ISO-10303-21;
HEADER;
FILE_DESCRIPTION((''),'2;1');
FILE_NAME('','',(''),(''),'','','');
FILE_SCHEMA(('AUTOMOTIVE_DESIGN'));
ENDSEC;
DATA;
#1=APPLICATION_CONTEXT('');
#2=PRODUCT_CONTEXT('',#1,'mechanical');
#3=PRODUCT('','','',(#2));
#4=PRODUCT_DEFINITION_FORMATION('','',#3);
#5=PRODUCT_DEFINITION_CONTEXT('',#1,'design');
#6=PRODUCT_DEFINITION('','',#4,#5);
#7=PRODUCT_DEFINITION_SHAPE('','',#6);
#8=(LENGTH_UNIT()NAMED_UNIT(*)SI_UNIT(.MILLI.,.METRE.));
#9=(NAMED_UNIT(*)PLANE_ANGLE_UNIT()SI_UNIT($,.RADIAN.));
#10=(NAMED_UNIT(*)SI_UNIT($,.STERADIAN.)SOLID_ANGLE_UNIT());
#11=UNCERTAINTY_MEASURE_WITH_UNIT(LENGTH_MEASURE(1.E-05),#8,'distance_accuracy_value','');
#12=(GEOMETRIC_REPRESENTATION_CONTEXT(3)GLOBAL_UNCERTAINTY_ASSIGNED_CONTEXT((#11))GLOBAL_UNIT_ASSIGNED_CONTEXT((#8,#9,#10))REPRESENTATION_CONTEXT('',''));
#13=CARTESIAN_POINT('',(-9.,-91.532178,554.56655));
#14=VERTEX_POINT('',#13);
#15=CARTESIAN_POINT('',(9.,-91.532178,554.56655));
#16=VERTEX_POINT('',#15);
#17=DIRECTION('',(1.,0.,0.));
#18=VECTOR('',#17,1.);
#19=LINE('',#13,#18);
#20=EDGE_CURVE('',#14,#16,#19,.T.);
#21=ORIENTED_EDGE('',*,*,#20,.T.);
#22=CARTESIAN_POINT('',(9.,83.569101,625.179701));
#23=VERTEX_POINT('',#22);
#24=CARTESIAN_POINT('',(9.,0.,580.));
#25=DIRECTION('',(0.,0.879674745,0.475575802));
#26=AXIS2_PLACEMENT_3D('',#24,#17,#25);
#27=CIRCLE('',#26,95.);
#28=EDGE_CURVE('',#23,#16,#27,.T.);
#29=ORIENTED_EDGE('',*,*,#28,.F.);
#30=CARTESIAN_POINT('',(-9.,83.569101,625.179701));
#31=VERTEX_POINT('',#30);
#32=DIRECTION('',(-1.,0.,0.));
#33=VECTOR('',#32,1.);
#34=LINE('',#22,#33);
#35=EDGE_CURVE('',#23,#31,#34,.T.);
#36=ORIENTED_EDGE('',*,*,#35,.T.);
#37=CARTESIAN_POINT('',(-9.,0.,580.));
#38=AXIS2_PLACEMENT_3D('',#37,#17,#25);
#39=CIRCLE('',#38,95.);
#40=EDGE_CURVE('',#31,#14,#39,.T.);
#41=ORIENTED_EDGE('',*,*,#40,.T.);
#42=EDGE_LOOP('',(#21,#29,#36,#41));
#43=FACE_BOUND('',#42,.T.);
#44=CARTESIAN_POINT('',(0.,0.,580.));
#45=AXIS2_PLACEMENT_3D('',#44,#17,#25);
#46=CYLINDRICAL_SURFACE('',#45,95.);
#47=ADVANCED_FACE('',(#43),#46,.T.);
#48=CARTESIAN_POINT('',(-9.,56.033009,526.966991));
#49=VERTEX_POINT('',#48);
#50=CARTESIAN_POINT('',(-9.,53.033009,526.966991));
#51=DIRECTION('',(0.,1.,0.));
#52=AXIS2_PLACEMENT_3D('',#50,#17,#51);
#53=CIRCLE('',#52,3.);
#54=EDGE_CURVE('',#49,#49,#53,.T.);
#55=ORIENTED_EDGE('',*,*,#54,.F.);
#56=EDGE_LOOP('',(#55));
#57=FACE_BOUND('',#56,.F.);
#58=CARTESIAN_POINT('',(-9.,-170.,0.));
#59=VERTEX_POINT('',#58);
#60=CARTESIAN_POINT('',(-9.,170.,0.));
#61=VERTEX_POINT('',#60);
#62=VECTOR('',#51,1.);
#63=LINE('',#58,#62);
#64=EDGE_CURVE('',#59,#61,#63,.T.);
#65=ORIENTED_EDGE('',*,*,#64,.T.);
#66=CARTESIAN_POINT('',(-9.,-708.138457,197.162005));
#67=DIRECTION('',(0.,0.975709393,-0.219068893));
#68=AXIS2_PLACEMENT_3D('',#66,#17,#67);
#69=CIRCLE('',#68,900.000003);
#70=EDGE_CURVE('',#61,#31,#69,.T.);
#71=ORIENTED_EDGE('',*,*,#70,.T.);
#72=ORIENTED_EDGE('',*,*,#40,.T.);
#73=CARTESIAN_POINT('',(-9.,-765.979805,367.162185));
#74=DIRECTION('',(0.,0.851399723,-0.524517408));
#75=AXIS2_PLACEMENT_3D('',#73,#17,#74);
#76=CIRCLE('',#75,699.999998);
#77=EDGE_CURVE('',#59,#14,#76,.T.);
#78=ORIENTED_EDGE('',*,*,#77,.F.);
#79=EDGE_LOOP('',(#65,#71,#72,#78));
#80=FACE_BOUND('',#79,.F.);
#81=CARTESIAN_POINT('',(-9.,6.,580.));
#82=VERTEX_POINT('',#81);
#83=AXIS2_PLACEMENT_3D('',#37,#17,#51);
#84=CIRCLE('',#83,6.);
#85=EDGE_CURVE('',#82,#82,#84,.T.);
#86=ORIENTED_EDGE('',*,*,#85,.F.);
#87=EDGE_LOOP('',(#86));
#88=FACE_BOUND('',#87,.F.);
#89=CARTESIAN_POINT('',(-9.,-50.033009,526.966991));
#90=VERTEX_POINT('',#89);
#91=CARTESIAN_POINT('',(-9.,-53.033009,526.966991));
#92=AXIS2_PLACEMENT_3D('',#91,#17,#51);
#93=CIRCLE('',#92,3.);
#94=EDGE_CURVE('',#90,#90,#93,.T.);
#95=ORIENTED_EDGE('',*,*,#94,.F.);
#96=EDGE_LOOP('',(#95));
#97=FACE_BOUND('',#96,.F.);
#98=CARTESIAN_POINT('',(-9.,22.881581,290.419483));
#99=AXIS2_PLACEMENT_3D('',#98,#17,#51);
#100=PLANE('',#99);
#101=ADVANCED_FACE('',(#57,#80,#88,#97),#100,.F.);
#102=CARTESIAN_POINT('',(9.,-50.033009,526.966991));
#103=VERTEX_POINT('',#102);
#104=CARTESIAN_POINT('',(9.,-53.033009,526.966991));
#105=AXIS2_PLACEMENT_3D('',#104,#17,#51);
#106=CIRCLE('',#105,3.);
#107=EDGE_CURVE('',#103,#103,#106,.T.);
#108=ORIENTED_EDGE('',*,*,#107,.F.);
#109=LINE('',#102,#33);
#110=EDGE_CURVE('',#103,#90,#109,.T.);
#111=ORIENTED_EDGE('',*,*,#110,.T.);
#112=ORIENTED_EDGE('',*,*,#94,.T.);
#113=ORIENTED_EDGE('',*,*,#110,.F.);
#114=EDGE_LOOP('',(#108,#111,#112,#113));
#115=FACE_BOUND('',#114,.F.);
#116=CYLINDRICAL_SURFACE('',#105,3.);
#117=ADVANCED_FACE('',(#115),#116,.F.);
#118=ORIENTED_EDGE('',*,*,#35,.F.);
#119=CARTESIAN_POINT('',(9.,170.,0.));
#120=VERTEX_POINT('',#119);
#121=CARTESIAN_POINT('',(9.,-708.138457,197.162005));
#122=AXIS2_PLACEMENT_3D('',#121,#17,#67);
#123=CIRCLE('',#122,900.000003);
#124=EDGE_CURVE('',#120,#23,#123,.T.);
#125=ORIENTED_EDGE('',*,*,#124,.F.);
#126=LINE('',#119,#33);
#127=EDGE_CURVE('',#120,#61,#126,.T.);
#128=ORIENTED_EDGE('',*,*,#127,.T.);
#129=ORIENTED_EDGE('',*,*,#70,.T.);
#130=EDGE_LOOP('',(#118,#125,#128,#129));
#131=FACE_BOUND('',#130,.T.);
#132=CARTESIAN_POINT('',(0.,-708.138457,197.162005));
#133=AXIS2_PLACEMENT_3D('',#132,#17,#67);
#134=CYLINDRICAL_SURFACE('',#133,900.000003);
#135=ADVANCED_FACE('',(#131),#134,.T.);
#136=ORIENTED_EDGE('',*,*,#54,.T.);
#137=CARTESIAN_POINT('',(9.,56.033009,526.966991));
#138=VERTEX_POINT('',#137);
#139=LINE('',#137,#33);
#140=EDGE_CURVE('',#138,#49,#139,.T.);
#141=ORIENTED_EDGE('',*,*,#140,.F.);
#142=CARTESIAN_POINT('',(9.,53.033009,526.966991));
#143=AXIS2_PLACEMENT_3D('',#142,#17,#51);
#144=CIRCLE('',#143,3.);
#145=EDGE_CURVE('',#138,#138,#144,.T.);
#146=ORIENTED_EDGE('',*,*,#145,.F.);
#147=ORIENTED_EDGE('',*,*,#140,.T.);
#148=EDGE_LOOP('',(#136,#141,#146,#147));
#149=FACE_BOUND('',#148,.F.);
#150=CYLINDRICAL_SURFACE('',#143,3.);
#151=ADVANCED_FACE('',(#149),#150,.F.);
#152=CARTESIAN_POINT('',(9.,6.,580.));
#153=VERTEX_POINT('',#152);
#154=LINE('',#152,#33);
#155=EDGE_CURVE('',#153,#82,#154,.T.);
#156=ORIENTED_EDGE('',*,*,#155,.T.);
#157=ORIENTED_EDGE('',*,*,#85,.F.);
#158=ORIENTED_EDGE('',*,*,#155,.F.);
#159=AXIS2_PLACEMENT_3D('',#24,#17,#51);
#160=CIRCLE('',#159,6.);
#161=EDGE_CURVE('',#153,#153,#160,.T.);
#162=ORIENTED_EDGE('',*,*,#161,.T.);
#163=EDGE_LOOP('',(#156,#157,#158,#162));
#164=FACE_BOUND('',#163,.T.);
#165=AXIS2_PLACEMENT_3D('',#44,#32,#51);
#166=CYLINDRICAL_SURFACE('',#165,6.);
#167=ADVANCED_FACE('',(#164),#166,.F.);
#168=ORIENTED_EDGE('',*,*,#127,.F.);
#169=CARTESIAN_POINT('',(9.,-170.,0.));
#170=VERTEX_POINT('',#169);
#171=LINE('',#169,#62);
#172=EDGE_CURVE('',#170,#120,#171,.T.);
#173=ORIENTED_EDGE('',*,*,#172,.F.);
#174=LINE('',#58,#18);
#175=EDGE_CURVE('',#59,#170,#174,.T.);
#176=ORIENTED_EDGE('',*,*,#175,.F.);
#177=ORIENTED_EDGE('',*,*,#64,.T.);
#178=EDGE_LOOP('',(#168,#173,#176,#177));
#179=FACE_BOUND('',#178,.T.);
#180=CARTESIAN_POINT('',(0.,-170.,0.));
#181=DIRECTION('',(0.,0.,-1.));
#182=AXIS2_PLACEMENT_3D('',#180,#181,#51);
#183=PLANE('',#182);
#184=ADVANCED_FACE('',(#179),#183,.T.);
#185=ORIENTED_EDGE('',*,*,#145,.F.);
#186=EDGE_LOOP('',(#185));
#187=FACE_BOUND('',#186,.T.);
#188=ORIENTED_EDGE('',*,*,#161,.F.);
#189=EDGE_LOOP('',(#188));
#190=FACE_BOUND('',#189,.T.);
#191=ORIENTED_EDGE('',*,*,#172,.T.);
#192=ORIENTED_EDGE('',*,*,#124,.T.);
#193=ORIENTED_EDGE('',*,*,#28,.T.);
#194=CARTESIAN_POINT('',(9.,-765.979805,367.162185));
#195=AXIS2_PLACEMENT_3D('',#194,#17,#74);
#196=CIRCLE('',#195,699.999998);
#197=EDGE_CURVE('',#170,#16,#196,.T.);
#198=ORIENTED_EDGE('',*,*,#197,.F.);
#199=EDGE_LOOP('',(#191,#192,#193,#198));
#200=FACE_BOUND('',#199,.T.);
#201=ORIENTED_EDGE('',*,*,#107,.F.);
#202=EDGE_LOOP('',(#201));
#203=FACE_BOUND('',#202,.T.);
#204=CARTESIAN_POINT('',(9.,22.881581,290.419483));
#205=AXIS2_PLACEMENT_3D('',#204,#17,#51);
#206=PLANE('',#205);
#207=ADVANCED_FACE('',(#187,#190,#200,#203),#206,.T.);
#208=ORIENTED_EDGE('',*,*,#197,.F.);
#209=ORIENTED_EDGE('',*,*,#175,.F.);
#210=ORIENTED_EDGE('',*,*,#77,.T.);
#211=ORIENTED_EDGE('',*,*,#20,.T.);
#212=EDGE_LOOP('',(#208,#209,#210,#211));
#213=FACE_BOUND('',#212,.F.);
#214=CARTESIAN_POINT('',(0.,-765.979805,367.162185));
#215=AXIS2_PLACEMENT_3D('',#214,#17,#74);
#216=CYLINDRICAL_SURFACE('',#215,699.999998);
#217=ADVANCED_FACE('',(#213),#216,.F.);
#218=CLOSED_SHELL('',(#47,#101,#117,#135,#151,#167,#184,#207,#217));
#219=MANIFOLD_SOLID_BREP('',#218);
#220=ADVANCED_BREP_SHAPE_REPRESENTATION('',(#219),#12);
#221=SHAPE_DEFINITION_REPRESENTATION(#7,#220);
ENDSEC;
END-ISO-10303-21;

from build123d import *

# Parameters (mm, degrees)
SKETCH_R     = 6
PAD_DEPTH    = 9
SKETCH001_R  = 3
POCKET_DEPTH = 18.001


with BuildPart() as part:
    # Sketch → Pad (new body, symmetric)
    with BuildSketch(Plane.YZ):
        with BuildLine():
            ThreePointArc((83.569101, 625.179701), (-35.530366, 668.105579), (-91.532178, 554.56655))
            ThreePointArc((-170, 0), (-72.883506, 269.093239), (-91.532178, 554.56655))
            Line((-170, 0), (170, 0))
            ThreePointArc((170, 0), (183.382066, 320.41444), (83.569101, 625.179701))
        make_face()
        with Locations((0, 580)):
            Circle(SKETCH_R, mode=Mode.SUBTRACT)
    extrude(amount=PAD_DEPTH, both=True)

    # Sketch001 (on Face7 of Pad) → Pocket (cut, through all)
    with BuildSketch(Plane.YZ.offset(9)):
        with Locations((-53.033009, 526.966991)):
            Circle(SKETCH001_R)
        with Locations((53.033009, 526.966991)):
            Circle(SKETCH001_R)
    extrude(amount=-POCKET_DEPTH, mode=Mode.SUBTRACT)


solid = part.part
